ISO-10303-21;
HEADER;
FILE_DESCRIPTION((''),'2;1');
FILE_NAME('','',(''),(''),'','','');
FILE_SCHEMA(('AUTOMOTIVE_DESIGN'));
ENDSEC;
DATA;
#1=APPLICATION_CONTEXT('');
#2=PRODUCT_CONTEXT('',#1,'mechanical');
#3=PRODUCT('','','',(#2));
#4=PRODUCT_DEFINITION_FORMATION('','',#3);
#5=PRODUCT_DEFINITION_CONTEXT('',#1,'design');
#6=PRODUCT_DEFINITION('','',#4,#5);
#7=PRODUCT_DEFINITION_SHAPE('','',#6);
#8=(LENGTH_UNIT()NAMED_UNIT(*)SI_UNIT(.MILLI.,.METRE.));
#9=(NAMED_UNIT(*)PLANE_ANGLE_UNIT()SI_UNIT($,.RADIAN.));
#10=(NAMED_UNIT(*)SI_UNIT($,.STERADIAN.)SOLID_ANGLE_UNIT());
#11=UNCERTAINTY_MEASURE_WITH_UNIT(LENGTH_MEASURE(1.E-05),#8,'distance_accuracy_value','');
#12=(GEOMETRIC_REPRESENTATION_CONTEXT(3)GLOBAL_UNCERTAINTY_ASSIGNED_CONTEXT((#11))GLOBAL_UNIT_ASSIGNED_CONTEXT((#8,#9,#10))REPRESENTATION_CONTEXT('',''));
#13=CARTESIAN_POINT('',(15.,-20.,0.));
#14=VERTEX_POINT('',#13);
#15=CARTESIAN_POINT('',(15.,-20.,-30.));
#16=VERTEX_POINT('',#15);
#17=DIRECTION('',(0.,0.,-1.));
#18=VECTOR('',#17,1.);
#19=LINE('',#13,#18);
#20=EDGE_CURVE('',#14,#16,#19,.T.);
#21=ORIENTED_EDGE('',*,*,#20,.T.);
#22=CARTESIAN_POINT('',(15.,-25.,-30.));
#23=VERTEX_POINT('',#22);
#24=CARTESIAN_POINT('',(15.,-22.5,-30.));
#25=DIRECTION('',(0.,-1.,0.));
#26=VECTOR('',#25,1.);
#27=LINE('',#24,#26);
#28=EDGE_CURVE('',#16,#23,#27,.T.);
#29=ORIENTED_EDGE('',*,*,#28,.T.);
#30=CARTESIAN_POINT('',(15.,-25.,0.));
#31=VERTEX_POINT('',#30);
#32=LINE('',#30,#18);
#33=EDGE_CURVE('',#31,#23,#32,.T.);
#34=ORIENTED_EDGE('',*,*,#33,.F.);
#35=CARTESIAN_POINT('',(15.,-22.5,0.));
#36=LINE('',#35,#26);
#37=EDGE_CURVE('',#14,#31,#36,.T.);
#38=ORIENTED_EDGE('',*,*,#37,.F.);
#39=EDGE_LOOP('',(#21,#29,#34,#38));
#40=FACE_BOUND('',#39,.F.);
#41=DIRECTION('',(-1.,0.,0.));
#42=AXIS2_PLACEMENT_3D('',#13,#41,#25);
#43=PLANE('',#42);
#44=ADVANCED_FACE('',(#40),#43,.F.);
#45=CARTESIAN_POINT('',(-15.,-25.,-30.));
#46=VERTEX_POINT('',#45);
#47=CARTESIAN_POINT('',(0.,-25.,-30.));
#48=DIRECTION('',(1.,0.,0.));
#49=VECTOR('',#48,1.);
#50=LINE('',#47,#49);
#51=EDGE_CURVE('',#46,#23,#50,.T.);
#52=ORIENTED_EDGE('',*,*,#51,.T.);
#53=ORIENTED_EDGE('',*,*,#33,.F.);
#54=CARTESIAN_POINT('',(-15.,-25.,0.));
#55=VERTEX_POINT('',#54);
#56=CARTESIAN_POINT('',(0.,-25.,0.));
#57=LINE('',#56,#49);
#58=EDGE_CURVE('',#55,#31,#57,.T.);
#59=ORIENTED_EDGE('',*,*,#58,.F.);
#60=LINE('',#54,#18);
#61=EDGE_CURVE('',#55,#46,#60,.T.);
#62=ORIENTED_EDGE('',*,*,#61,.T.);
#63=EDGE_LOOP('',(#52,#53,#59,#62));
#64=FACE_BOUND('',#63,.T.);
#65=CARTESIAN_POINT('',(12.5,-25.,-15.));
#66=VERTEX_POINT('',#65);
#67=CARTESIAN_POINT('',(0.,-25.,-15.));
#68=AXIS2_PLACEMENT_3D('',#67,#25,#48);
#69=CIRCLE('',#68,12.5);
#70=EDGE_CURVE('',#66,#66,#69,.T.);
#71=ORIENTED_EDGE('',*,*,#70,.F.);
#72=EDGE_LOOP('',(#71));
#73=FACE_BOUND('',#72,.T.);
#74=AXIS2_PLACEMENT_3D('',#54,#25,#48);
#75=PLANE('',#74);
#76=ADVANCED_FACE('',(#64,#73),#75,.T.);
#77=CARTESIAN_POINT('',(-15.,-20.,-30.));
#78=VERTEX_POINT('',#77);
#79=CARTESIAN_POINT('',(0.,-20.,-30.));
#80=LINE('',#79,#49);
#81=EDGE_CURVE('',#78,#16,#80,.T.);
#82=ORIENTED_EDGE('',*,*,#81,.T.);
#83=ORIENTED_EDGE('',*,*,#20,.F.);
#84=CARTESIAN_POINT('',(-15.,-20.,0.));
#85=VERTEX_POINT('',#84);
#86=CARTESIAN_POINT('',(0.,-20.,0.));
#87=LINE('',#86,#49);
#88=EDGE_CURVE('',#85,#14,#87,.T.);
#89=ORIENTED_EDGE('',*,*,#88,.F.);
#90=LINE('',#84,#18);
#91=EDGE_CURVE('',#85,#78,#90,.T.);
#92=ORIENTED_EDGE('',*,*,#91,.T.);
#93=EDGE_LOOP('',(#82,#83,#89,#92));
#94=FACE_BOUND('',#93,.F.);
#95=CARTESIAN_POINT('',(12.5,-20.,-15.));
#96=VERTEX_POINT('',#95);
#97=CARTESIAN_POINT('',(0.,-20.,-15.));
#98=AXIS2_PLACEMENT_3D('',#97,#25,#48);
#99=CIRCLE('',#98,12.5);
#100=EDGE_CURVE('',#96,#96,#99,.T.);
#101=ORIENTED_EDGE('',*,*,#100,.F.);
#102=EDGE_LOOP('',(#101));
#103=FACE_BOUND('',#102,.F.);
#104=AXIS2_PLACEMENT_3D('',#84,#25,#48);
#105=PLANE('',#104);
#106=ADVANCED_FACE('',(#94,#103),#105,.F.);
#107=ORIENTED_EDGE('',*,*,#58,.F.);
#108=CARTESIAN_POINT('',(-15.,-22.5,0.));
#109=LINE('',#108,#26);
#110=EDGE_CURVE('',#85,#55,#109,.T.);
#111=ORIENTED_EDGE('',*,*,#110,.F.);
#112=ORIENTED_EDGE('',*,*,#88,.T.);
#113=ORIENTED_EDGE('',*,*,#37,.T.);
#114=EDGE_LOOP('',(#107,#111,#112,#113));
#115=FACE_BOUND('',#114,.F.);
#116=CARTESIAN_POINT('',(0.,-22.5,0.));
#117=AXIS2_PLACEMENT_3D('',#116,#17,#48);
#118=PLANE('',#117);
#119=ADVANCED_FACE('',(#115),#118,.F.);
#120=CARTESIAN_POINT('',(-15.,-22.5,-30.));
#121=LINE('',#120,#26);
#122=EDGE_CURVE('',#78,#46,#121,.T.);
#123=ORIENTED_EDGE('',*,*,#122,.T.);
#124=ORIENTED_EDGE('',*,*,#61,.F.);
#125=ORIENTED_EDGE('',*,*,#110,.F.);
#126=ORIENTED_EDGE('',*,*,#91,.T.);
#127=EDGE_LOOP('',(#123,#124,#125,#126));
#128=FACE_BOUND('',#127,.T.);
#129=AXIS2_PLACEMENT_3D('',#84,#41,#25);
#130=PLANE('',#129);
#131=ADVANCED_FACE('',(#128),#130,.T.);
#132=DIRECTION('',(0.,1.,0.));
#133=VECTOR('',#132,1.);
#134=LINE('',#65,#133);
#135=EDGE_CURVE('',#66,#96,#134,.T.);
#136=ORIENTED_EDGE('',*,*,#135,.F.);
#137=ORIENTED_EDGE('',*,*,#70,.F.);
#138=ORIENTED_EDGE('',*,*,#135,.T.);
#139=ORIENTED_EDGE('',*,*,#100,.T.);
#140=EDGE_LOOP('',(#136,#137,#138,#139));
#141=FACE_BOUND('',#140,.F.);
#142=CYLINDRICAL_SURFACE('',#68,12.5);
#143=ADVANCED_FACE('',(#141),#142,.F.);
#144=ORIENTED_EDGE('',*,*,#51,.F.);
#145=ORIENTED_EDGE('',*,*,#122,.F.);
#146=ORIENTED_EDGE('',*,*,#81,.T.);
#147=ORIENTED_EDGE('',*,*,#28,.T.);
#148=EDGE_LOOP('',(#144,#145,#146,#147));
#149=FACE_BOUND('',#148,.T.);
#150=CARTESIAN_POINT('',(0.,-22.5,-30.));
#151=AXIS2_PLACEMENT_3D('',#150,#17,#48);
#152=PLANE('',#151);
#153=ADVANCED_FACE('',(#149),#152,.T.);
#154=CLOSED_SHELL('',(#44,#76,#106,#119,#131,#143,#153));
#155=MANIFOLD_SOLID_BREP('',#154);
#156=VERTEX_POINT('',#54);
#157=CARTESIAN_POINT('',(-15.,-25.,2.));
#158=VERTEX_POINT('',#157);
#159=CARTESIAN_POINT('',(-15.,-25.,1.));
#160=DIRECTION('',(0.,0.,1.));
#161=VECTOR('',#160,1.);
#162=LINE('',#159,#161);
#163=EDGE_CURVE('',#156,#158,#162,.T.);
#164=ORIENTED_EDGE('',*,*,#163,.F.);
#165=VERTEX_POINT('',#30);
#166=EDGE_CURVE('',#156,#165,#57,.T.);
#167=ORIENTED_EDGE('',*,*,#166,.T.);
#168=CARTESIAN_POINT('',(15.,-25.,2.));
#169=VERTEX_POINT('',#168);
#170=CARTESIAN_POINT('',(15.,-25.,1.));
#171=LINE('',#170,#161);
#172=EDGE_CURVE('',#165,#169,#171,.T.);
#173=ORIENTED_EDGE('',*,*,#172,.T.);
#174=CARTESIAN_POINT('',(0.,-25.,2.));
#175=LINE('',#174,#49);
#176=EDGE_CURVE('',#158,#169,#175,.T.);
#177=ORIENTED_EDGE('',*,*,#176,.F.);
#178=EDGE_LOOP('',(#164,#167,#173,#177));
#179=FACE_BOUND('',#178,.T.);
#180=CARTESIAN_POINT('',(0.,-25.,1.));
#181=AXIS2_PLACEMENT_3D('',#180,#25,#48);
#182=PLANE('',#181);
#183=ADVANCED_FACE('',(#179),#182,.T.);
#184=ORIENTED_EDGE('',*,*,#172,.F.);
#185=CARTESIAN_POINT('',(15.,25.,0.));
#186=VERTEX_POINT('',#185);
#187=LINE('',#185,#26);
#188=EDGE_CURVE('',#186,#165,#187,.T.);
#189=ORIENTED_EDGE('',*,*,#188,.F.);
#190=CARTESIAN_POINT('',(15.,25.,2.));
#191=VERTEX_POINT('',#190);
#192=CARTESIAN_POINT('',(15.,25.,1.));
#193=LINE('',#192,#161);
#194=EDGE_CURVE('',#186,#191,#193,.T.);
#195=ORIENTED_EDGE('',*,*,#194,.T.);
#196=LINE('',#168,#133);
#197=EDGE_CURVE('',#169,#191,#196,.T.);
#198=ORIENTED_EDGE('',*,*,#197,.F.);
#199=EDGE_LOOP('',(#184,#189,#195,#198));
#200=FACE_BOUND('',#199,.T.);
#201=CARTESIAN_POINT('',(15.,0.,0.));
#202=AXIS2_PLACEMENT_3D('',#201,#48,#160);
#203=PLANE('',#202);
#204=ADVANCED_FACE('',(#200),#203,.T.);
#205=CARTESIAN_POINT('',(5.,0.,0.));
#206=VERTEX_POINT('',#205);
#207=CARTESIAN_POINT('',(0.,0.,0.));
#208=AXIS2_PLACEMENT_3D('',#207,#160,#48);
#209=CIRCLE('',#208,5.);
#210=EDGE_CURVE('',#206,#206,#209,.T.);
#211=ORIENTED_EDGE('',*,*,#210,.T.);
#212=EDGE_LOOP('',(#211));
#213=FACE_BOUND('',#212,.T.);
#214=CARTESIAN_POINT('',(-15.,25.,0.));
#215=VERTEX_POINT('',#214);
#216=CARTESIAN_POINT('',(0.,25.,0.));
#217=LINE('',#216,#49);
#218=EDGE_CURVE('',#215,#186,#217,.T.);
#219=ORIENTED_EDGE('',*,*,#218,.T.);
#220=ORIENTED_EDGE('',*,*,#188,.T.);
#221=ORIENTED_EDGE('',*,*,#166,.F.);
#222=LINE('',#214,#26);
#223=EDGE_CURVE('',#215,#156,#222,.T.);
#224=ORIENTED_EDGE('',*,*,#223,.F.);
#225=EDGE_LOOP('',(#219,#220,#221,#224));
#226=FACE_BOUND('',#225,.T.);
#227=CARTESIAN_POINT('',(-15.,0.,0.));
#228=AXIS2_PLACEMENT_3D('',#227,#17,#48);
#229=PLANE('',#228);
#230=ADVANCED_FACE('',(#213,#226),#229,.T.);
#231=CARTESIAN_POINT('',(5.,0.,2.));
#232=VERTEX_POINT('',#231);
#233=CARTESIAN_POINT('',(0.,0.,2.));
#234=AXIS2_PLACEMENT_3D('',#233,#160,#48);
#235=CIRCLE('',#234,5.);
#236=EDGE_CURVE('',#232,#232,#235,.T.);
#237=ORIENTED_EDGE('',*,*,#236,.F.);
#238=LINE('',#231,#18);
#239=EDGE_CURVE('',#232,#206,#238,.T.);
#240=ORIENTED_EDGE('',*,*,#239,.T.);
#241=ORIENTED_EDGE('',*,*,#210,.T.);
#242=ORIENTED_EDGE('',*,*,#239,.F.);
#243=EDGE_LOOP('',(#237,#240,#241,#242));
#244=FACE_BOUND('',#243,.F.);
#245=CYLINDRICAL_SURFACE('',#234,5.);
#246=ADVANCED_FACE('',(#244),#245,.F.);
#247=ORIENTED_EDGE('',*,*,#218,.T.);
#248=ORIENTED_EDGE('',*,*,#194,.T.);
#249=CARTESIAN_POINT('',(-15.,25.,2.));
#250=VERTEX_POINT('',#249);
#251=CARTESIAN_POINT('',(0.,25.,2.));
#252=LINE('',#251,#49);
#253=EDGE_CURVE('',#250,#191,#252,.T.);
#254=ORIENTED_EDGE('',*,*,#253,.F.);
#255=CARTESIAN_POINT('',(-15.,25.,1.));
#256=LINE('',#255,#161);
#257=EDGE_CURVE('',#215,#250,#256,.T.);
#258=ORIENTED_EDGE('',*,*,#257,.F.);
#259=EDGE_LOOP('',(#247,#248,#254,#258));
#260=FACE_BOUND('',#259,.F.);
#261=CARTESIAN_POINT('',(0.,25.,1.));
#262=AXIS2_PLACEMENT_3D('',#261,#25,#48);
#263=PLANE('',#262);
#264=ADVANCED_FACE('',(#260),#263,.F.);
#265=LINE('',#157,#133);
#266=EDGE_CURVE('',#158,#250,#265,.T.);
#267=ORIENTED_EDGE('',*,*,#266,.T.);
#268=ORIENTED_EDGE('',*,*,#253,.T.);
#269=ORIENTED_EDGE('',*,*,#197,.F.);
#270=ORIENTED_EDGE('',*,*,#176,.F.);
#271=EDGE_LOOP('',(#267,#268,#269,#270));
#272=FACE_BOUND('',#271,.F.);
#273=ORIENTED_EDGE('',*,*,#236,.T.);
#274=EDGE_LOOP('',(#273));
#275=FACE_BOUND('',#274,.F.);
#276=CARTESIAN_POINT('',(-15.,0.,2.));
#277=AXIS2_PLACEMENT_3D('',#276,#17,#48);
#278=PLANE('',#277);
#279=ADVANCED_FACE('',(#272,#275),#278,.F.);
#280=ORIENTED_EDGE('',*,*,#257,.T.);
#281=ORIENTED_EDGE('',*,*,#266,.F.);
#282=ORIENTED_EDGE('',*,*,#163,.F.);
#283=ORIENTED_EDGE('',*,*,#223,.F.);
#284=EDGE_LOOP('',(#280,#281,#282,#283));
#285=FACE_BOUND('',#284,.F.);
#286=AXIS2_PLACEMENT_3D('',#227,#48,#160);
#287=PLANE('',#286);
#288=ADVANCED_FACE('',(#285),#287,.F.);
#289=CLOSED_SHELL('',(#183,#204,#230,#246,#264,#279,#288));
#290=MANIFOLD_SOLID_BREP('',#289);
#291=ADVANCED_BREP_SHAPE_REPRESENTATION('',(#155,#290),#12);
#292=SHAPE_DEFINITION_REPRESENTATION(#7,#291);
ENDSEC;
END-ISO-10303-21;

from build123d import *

# Parameters (mm, degrees)
F0_W     = 30
F0_H     = 2
F1_DEPTH = 25
F2_R     = 5
F3_DEPTH = 2.001
F4_W     = 30
F4_H     = 5
F5_DEPTH = 30
F6_R     = 12.5
F7_DEPTH = 50.001


with BuildPart() as f1:
    # F0 (on Front) → F1 (new body, symmetric)
    with BuildSketch(Plane.XZ):
        with Locations((0, 1)):
            Rectangle(F0_W, F0_H)
    extrude(amount=F1_DEPTH, both=True)

    # F2 (on face) → F3 (cut, through all)
    with BuildSketch(Plane.XY.offset(2)):
        Circle(F2_R)
    extrude(amount=-F3_DEPTH, mode=Mode.SUBTRACT)


with BuildPart() as f5:
    # F4 (on face) → F5 (new body)
    with BuildSketch(Plane(origin=(0, 0, 0), x_dir=(1, 0, 0), z_dir=(0, 0, -1))):
        with Locations((0, 22.5)):
            Rectangle(F4_W, F4_H)
    extrude(amount=F5_DEPTH)

    # F6 (on face) → F7 (cut, through all)
    with BuildSketch(Plane.XZ.offset(25)):
        with Locations((0, -15)):
            Circle(F6_R)
    extrude(amount=-F7_DEPTH, mode=Mode.SUBTRACT)


solid = Compound([f1.part, f5.part])
